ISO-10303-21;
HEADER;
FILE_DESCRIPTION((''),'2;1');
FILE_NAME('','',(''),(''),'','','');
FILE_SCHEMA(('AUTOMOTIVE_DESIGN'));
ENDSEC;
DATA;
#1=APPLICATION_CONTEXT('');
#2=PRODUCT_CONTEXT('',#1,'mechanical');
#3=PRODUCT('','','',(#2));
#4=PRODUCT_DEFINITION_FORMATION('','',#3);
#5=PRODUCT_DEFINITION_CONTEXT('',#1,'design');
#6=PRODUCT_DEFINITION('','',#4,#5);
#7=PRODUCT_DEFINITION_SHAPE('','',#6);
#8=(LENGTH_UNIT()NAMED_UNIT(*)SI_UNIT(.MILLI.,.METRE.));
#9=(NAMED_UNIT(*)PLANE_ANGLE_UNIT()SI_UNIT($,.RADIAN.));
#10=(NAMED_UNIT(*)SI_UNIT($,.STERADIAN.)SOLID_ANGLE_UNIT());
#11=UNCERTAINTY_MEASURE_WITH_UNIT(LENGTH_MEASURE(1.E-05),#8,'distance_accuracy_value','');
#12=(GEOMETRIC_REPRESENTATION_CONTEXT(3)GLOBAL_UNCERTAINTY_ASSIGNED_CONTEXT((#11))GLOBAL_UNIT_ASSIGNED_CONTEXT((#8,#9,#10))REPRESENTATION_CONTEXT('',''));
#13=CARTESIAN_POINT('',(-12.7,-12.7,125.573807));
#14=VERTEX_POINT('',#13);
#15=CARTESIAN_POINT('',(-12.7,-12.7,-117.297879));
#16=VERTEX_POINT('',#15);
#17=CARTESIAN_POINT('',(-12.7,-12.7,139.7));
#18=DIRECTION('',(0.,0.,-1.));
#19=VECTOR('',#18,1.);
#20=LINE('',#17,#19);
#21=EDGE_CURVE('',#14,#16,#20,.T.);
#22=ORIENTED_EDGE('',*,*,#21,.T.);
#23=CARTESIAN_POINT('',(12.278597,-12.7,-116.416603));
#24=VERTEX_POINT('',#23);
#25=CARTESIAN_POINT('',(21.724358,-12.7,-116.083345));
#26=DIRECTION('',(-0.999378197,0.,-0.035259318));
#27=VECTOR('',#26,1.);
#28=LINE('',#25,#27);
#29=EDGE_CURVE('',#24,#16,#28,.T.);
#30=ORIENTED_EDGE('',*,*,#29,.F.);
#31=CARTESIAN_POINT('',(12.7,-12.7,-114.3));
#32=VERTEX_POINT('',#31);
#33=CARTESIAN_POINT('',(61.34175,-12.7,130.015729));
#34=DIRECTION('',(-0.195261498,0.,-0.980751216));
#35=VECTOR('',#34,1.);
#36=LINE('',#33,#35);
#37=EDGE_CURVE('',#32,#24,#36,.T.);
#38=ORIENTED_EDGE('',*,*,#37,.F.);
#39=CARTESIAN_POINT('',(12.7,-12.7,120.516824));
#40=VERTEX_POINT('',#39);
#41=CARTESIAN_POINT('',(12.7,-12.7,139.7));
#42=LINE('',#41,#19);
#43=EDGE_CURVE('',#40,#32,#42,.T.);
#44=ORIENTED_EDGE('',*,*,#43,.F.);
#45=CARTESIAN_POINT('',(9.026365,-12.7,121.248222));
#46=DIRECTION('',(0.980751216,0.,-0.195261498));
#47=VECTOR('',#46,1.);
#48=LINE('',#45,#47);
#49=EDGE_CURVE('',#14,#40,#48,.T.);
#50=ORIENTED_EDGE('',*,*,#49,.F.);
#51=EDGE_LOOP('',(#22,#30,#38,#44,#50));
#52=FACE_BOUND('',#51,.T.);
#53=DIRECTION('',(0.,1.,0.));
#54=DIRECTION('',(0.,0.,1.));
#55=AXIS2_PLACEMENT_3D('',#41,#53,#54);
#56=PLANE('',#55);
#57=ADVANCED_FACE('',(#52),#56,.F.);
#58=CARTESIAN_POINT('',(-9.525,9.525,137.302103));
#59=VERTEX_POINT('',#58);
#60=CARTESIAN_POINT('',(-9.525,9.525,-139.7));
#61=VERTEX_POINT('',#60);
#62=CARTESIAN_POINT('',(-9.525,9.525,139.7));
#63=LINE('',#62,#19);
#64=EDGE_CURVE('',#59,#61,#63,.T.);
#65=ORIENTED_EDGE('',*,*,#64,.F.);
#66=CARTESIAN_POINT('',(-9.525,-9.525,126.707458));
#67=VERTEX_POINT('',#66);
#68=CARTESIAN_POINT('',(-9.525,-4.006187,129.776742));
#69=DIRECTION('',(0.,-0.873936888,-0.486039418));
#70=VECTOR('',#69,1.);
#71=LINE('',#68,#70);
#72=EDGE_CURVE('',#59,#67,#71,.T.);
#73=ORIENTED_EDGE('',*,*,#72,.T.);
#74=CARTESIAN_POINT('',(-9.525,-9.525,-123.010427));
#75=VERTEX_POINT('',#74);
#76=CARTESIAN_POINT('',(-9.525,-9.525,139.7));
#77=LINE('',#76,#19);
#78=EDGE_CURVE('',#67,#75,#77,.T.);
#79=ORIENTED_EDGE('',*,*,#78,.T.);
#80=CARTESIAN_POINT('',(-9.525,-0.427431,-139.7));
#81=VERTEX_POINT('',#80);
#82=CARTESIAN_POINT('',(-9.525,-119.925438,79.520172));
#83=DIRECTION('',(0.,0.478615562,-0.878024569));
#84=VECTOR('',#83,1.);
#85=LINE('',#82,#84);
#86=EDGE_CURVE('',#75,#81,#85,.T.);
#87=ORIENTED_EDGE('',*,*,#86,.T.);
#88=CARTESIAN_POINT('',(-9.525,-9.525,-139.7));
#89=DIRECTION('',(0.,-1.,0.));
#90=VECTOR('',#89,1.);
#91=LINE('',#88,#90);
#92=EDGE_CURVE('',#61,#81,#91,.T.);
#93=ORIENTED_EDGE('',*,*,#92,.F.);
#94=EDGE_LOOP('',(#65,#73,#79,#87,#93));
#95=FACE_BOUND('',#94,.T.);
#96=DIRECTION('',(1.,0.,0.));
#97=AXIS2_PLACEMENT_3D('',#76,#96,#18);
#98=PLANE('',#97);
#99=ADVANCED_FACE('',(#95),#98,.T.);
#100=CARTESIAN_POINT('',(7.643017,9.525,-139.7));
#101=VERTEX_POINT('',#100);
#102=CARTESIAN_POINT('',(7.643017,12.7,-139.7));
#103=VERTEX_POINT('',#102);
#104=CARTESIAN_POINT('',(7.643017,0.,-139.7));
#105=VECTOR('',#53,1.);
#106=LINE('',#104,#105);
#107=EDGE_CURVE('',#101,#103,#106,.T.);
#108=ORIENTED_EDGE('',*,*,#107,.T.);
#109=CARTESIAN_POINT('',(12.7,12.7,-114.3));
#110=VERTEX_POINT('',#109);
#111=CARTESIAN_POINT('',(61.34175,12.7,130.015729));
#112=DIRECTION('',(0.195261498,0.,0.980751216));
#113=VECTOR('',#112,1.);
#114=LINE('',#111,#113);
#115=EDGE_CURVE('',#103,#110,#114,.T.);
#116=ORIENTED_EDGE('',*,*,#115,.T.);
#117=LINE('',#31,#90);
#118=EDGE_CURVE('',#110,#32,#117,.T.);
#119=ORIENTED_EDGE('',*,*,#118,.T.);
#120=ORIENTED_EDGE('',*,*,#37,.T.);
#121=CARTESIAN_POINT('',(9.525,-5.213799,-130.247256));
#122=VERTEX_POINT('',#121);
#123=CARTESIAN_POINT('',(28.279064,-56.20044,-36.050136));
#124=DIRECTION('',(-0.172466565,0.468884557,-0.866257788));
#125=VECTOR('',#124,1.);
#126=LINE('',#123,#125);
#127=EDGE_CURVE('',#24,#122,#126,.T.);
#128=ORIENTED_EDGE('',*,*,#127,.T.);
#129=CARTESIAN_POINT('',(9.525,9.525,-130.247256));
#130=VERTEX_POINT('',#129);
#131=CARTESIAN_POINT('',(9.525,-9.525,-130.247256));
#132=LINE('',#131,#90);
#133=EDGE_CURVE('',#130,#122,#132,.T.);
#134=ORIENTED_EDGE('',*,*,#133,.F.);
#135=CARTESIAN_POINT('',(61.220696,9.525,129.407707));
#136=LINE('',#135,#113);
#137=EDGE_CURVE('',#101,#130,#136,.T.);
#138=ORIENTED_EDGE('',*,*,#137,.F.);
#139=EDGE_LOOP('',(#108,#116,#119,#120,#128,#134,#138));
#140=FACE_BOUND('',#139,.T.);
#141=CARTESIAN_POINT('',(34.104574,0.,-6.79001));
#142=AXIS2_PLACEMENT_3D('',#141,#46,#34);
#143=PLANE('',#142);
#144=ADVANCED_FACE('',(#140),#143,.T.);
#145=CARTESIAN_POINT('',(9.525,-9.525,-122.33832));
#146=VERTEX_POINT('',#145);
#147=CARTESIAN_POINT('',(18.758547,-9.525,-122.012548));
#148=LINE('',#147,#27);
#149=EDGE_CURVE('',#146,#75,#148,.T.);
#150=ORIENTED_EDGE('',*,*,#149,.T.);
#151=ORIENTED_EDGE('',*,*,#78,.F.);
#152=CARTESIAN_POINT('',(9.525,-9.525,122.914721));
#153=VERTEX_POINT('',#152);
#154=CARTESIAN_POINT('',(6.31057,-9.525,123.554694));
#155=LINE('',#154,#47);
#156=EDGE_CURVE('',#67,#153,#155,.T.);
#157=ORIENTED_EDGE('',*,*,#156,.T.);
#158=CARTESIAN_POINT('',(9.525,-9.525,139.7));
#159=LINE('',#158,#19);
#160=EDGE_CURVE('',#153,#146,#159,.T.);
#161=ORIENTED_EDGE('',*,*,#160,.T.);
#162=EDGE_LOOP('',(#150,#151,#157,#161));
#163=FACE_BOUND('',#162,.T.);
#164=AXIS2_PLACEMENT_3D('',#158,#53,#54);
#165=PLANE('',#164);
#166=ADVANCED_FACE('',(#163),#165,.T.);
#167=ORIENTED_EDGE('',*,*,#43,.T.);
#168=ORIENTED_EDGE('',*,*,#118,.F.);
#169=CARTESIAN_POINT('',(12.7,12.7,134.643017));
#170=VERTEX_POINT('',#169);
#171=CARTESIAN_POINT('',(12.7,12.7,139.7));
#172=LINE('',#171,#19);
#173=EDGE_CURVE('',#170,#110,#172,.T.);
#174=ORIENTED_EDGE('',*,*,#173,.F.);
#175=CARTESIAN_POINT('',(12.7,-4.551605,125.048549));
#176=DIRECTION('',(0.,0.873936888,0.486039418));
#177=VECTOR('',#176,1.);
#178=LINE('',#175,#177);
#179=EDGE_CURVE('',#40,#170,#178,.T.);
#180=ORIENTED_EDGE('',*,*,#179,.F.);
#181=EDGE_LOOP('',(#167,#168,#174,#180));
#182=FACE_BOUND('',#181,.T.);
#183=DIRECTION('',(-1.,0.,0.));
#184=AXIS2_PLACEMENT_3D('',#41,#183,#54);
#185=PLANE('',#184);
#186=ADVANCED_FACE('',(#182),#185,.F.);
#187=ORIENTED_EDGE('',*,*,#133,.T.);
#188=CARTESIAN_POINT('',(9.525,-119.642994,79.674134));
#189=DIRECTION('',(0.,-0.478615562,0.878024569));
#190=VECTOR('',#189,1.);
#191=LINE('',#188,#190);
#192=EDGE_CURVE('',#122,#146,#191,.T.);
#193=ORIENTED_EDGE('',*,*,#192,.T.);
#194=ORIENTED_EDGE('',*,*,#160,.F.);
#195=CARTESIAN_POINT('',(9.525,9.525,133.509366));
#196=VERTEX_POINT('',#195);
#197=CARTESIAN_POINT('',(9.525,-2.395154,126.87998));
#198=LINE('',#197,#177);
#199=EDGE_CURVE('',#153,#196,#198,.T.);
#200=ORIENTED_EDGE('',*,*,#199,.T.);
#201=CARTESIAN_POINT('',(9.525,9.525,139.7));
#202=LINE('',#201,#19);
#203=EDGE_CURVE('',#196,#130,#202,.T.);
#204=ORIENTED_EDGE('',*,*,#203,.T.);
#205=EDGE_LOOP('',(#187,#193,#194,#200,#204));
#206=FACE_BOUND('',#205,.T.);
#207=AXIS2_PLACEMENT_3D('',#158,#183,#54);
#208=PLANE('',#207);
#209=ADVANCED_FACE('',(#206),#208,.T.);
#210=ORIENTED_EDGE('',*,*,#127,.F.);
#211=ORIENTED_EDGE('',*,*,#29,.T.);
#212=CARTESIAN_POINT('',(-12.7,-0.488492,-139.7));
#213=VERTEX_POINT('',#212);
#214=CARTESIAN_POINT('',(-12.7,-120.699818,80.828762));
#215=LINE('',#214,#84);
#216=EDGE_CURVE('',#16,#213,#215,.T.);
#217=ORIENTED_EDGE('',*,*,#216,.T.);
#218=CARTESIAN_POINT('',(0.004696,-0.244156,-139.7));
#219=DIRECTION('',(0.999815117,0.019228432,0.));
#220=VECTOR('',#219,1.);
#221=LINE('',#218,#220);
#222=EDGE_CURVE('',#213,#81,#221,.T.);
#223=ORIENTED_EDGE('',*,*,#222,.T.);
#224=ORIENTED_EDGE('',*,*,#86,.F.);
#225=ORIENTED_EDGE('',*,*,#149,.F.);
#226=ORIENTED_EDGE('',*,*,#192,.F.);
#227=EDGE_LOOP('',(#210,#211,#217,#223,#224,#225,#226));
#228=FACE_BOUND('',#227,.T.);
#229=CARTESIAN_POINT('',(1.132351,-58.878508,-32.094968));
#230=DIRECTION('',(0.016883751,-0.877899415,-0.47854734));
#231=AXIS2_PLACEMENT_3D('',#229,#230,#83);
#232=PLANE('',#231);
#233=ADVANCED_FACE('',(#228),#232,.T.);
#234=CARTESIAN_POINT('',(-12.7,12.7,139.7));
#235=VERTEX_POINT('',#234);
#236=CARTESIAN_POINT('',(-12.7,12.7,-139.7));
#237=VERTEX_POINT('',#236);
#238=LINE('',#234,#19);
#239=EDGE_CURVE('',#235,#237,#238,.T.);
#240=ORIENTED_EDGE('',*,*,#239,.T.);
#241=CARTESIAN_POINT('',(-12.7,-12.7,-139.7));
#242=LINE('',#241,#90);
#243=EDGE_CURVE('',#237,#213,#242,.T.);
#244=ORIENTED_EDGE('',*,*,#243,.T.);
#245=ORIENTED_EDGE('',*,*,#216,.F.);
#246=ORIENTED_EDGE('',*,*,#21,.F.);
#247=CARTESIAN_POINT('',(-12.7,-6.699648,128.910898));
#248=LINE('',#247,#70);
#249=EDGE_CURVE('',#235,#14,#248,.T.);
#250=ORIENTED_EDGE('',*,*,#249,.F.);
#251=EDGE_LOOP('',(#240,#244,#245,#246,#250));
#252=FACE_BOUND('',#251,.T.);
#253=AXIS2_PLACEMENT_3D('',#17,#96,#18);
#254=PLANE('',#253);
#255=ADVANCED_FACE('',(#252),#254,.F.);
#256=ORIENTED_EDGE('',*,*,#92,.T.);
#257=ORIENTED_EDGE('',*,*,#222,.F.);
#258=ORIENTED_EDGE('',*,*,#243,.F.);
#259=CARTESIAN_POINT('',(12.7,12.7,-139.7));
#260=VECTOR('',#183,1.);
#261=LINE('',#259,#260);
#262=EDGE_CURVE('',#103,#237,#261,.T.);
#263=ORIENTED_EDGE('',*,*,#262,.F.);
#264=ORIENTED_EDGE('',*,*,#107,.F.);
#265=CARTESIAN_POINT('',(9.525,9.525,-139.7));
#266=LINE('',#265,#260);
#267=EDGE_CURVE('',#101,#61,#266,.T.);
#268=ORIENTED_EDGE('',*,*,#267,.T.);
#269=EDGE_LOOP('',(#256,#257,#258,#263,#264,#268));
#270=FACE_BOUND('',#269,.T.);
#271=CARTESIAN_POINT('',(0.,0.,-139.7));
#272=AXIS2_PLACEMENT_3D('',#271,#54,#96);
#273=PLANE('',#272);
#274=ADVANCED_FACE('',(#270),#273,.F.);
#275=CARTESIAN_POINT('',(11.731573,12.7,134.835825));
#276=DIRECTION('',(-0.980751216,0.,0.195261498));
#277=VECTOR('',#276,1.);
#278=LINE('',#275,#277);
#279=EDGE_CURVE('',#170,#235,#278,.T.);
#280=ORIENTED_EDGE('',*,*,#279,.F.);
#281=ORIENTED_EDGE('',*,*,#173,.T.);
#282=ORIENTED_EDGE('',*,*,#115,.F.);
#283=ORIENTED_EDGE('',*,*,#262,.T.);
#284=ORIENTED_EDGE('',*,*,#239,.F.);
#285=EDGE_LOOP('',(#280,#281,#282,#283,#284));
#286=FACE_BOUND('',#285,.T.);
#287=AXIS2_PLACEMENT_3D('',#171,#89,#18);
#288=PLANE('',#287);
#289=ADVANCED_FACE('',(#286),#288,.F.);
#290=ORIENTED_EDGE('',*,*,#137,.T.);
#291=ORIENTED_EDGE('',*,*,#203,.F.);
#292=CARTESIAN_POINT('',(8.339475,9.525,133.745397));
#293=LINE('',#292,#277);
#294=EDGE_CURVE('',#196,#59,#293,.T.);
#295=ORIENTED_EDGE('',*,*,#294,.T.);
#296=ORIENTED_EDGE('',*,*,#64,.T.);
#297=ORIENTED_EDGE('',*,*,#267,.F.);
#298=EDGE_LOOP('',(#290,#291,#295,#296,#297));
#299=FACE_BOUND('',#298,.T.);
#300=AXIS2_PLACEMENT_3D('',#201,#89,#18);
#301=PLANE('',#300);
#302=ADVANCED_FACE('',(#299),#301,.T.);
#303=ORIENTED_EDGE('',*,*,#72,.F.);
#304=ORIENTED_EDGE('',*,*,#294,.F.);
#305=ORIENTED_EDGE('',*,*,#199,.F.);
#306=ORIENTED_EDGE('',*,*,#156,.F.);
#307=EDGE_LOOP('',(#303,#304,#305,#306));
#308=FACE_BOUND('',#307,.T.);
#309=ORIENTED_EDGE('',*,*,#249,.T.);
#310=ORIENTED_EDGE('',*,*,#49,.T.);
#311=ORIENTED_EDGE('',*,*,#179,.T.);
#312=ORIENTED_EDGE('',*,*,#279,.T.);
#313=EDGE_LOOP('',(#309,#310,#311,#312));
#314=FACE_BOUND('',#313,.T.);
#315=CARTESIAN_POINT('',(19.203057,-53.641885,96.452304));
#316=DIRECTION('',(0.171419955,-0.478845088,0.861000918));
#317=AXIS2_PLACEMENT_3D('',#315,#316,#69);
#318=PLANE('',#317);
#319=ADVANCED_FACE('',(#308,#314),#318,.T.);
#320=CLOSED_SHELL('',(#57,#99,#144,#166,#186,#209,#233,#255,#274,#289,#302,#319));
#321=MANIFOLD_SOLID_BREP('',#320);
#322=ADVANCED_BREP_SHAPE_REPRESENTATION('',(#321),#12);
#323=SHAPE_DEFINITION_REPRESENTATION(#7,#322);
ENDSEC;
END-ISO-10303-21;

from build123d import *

# Parameters (mm, degrees)
BOSS_EXTRUDE1_DEPTH      = 139.7
BOSS_EXTRUDE1_DEPTH_BACK = 139.7
SKETCH3_W                = 25.4
SKETCH3_H                = 25.4
SKETCH3_W_2              = 19.05
SKETCH3_H_2              = 19.05


with BuildPart() as part:
    # Sketch3 → Boss-Extrude1 (new, two sides: drawn at the far end of the back side and taken through both)
    with BuildSketch(Plane.XY.offset(-BOSS_EXTRUDE1_DEPTH_BACK)):
        Rectangle(SKETCH3_W, SKETCH3_H)
        Rectangle(SKETCH3_W_2, SKETCH3_H_2, mode=Mode.SUBTRACT)
    extrude(amount=BOSS_EXTRUDE1_DEPTH + BOSS_EXTRUDE1_DEPTH_BACK)

    # SurfaceCut2
    split(bisect_by=Plane(origin=(19.203056865, -53.641884581, 96.452303833), x_dir=(0.9807512157806098, 0, -0.1952614983678451), z_dir=(0.17141995510435715, -0.47884508758591265, 0.8610009181684186)), keep=Keep.BOTTOM)

    # SurfaceCut4
    split(bisect_by=Plane(origin=(34.104573835, 0, -6.790009618), x_dir=(0, 1, 0), z_dir=(0.9807512157806096, 0, -0.19526149836784543)), keep=Keep.BOTTOM)

    # SurfaceCut6
    split(bisect_by=Plane(origin=(1.132350751, -58.878507635, -32.094967554), x_dir=(0.9998151166046026, 0.01922843230544169, 0), z_dir=(0.01688375098917382, -0.8778994145657232, -0.478547340247228)), keep=Keep.BOTTOM)


solid = part.part
